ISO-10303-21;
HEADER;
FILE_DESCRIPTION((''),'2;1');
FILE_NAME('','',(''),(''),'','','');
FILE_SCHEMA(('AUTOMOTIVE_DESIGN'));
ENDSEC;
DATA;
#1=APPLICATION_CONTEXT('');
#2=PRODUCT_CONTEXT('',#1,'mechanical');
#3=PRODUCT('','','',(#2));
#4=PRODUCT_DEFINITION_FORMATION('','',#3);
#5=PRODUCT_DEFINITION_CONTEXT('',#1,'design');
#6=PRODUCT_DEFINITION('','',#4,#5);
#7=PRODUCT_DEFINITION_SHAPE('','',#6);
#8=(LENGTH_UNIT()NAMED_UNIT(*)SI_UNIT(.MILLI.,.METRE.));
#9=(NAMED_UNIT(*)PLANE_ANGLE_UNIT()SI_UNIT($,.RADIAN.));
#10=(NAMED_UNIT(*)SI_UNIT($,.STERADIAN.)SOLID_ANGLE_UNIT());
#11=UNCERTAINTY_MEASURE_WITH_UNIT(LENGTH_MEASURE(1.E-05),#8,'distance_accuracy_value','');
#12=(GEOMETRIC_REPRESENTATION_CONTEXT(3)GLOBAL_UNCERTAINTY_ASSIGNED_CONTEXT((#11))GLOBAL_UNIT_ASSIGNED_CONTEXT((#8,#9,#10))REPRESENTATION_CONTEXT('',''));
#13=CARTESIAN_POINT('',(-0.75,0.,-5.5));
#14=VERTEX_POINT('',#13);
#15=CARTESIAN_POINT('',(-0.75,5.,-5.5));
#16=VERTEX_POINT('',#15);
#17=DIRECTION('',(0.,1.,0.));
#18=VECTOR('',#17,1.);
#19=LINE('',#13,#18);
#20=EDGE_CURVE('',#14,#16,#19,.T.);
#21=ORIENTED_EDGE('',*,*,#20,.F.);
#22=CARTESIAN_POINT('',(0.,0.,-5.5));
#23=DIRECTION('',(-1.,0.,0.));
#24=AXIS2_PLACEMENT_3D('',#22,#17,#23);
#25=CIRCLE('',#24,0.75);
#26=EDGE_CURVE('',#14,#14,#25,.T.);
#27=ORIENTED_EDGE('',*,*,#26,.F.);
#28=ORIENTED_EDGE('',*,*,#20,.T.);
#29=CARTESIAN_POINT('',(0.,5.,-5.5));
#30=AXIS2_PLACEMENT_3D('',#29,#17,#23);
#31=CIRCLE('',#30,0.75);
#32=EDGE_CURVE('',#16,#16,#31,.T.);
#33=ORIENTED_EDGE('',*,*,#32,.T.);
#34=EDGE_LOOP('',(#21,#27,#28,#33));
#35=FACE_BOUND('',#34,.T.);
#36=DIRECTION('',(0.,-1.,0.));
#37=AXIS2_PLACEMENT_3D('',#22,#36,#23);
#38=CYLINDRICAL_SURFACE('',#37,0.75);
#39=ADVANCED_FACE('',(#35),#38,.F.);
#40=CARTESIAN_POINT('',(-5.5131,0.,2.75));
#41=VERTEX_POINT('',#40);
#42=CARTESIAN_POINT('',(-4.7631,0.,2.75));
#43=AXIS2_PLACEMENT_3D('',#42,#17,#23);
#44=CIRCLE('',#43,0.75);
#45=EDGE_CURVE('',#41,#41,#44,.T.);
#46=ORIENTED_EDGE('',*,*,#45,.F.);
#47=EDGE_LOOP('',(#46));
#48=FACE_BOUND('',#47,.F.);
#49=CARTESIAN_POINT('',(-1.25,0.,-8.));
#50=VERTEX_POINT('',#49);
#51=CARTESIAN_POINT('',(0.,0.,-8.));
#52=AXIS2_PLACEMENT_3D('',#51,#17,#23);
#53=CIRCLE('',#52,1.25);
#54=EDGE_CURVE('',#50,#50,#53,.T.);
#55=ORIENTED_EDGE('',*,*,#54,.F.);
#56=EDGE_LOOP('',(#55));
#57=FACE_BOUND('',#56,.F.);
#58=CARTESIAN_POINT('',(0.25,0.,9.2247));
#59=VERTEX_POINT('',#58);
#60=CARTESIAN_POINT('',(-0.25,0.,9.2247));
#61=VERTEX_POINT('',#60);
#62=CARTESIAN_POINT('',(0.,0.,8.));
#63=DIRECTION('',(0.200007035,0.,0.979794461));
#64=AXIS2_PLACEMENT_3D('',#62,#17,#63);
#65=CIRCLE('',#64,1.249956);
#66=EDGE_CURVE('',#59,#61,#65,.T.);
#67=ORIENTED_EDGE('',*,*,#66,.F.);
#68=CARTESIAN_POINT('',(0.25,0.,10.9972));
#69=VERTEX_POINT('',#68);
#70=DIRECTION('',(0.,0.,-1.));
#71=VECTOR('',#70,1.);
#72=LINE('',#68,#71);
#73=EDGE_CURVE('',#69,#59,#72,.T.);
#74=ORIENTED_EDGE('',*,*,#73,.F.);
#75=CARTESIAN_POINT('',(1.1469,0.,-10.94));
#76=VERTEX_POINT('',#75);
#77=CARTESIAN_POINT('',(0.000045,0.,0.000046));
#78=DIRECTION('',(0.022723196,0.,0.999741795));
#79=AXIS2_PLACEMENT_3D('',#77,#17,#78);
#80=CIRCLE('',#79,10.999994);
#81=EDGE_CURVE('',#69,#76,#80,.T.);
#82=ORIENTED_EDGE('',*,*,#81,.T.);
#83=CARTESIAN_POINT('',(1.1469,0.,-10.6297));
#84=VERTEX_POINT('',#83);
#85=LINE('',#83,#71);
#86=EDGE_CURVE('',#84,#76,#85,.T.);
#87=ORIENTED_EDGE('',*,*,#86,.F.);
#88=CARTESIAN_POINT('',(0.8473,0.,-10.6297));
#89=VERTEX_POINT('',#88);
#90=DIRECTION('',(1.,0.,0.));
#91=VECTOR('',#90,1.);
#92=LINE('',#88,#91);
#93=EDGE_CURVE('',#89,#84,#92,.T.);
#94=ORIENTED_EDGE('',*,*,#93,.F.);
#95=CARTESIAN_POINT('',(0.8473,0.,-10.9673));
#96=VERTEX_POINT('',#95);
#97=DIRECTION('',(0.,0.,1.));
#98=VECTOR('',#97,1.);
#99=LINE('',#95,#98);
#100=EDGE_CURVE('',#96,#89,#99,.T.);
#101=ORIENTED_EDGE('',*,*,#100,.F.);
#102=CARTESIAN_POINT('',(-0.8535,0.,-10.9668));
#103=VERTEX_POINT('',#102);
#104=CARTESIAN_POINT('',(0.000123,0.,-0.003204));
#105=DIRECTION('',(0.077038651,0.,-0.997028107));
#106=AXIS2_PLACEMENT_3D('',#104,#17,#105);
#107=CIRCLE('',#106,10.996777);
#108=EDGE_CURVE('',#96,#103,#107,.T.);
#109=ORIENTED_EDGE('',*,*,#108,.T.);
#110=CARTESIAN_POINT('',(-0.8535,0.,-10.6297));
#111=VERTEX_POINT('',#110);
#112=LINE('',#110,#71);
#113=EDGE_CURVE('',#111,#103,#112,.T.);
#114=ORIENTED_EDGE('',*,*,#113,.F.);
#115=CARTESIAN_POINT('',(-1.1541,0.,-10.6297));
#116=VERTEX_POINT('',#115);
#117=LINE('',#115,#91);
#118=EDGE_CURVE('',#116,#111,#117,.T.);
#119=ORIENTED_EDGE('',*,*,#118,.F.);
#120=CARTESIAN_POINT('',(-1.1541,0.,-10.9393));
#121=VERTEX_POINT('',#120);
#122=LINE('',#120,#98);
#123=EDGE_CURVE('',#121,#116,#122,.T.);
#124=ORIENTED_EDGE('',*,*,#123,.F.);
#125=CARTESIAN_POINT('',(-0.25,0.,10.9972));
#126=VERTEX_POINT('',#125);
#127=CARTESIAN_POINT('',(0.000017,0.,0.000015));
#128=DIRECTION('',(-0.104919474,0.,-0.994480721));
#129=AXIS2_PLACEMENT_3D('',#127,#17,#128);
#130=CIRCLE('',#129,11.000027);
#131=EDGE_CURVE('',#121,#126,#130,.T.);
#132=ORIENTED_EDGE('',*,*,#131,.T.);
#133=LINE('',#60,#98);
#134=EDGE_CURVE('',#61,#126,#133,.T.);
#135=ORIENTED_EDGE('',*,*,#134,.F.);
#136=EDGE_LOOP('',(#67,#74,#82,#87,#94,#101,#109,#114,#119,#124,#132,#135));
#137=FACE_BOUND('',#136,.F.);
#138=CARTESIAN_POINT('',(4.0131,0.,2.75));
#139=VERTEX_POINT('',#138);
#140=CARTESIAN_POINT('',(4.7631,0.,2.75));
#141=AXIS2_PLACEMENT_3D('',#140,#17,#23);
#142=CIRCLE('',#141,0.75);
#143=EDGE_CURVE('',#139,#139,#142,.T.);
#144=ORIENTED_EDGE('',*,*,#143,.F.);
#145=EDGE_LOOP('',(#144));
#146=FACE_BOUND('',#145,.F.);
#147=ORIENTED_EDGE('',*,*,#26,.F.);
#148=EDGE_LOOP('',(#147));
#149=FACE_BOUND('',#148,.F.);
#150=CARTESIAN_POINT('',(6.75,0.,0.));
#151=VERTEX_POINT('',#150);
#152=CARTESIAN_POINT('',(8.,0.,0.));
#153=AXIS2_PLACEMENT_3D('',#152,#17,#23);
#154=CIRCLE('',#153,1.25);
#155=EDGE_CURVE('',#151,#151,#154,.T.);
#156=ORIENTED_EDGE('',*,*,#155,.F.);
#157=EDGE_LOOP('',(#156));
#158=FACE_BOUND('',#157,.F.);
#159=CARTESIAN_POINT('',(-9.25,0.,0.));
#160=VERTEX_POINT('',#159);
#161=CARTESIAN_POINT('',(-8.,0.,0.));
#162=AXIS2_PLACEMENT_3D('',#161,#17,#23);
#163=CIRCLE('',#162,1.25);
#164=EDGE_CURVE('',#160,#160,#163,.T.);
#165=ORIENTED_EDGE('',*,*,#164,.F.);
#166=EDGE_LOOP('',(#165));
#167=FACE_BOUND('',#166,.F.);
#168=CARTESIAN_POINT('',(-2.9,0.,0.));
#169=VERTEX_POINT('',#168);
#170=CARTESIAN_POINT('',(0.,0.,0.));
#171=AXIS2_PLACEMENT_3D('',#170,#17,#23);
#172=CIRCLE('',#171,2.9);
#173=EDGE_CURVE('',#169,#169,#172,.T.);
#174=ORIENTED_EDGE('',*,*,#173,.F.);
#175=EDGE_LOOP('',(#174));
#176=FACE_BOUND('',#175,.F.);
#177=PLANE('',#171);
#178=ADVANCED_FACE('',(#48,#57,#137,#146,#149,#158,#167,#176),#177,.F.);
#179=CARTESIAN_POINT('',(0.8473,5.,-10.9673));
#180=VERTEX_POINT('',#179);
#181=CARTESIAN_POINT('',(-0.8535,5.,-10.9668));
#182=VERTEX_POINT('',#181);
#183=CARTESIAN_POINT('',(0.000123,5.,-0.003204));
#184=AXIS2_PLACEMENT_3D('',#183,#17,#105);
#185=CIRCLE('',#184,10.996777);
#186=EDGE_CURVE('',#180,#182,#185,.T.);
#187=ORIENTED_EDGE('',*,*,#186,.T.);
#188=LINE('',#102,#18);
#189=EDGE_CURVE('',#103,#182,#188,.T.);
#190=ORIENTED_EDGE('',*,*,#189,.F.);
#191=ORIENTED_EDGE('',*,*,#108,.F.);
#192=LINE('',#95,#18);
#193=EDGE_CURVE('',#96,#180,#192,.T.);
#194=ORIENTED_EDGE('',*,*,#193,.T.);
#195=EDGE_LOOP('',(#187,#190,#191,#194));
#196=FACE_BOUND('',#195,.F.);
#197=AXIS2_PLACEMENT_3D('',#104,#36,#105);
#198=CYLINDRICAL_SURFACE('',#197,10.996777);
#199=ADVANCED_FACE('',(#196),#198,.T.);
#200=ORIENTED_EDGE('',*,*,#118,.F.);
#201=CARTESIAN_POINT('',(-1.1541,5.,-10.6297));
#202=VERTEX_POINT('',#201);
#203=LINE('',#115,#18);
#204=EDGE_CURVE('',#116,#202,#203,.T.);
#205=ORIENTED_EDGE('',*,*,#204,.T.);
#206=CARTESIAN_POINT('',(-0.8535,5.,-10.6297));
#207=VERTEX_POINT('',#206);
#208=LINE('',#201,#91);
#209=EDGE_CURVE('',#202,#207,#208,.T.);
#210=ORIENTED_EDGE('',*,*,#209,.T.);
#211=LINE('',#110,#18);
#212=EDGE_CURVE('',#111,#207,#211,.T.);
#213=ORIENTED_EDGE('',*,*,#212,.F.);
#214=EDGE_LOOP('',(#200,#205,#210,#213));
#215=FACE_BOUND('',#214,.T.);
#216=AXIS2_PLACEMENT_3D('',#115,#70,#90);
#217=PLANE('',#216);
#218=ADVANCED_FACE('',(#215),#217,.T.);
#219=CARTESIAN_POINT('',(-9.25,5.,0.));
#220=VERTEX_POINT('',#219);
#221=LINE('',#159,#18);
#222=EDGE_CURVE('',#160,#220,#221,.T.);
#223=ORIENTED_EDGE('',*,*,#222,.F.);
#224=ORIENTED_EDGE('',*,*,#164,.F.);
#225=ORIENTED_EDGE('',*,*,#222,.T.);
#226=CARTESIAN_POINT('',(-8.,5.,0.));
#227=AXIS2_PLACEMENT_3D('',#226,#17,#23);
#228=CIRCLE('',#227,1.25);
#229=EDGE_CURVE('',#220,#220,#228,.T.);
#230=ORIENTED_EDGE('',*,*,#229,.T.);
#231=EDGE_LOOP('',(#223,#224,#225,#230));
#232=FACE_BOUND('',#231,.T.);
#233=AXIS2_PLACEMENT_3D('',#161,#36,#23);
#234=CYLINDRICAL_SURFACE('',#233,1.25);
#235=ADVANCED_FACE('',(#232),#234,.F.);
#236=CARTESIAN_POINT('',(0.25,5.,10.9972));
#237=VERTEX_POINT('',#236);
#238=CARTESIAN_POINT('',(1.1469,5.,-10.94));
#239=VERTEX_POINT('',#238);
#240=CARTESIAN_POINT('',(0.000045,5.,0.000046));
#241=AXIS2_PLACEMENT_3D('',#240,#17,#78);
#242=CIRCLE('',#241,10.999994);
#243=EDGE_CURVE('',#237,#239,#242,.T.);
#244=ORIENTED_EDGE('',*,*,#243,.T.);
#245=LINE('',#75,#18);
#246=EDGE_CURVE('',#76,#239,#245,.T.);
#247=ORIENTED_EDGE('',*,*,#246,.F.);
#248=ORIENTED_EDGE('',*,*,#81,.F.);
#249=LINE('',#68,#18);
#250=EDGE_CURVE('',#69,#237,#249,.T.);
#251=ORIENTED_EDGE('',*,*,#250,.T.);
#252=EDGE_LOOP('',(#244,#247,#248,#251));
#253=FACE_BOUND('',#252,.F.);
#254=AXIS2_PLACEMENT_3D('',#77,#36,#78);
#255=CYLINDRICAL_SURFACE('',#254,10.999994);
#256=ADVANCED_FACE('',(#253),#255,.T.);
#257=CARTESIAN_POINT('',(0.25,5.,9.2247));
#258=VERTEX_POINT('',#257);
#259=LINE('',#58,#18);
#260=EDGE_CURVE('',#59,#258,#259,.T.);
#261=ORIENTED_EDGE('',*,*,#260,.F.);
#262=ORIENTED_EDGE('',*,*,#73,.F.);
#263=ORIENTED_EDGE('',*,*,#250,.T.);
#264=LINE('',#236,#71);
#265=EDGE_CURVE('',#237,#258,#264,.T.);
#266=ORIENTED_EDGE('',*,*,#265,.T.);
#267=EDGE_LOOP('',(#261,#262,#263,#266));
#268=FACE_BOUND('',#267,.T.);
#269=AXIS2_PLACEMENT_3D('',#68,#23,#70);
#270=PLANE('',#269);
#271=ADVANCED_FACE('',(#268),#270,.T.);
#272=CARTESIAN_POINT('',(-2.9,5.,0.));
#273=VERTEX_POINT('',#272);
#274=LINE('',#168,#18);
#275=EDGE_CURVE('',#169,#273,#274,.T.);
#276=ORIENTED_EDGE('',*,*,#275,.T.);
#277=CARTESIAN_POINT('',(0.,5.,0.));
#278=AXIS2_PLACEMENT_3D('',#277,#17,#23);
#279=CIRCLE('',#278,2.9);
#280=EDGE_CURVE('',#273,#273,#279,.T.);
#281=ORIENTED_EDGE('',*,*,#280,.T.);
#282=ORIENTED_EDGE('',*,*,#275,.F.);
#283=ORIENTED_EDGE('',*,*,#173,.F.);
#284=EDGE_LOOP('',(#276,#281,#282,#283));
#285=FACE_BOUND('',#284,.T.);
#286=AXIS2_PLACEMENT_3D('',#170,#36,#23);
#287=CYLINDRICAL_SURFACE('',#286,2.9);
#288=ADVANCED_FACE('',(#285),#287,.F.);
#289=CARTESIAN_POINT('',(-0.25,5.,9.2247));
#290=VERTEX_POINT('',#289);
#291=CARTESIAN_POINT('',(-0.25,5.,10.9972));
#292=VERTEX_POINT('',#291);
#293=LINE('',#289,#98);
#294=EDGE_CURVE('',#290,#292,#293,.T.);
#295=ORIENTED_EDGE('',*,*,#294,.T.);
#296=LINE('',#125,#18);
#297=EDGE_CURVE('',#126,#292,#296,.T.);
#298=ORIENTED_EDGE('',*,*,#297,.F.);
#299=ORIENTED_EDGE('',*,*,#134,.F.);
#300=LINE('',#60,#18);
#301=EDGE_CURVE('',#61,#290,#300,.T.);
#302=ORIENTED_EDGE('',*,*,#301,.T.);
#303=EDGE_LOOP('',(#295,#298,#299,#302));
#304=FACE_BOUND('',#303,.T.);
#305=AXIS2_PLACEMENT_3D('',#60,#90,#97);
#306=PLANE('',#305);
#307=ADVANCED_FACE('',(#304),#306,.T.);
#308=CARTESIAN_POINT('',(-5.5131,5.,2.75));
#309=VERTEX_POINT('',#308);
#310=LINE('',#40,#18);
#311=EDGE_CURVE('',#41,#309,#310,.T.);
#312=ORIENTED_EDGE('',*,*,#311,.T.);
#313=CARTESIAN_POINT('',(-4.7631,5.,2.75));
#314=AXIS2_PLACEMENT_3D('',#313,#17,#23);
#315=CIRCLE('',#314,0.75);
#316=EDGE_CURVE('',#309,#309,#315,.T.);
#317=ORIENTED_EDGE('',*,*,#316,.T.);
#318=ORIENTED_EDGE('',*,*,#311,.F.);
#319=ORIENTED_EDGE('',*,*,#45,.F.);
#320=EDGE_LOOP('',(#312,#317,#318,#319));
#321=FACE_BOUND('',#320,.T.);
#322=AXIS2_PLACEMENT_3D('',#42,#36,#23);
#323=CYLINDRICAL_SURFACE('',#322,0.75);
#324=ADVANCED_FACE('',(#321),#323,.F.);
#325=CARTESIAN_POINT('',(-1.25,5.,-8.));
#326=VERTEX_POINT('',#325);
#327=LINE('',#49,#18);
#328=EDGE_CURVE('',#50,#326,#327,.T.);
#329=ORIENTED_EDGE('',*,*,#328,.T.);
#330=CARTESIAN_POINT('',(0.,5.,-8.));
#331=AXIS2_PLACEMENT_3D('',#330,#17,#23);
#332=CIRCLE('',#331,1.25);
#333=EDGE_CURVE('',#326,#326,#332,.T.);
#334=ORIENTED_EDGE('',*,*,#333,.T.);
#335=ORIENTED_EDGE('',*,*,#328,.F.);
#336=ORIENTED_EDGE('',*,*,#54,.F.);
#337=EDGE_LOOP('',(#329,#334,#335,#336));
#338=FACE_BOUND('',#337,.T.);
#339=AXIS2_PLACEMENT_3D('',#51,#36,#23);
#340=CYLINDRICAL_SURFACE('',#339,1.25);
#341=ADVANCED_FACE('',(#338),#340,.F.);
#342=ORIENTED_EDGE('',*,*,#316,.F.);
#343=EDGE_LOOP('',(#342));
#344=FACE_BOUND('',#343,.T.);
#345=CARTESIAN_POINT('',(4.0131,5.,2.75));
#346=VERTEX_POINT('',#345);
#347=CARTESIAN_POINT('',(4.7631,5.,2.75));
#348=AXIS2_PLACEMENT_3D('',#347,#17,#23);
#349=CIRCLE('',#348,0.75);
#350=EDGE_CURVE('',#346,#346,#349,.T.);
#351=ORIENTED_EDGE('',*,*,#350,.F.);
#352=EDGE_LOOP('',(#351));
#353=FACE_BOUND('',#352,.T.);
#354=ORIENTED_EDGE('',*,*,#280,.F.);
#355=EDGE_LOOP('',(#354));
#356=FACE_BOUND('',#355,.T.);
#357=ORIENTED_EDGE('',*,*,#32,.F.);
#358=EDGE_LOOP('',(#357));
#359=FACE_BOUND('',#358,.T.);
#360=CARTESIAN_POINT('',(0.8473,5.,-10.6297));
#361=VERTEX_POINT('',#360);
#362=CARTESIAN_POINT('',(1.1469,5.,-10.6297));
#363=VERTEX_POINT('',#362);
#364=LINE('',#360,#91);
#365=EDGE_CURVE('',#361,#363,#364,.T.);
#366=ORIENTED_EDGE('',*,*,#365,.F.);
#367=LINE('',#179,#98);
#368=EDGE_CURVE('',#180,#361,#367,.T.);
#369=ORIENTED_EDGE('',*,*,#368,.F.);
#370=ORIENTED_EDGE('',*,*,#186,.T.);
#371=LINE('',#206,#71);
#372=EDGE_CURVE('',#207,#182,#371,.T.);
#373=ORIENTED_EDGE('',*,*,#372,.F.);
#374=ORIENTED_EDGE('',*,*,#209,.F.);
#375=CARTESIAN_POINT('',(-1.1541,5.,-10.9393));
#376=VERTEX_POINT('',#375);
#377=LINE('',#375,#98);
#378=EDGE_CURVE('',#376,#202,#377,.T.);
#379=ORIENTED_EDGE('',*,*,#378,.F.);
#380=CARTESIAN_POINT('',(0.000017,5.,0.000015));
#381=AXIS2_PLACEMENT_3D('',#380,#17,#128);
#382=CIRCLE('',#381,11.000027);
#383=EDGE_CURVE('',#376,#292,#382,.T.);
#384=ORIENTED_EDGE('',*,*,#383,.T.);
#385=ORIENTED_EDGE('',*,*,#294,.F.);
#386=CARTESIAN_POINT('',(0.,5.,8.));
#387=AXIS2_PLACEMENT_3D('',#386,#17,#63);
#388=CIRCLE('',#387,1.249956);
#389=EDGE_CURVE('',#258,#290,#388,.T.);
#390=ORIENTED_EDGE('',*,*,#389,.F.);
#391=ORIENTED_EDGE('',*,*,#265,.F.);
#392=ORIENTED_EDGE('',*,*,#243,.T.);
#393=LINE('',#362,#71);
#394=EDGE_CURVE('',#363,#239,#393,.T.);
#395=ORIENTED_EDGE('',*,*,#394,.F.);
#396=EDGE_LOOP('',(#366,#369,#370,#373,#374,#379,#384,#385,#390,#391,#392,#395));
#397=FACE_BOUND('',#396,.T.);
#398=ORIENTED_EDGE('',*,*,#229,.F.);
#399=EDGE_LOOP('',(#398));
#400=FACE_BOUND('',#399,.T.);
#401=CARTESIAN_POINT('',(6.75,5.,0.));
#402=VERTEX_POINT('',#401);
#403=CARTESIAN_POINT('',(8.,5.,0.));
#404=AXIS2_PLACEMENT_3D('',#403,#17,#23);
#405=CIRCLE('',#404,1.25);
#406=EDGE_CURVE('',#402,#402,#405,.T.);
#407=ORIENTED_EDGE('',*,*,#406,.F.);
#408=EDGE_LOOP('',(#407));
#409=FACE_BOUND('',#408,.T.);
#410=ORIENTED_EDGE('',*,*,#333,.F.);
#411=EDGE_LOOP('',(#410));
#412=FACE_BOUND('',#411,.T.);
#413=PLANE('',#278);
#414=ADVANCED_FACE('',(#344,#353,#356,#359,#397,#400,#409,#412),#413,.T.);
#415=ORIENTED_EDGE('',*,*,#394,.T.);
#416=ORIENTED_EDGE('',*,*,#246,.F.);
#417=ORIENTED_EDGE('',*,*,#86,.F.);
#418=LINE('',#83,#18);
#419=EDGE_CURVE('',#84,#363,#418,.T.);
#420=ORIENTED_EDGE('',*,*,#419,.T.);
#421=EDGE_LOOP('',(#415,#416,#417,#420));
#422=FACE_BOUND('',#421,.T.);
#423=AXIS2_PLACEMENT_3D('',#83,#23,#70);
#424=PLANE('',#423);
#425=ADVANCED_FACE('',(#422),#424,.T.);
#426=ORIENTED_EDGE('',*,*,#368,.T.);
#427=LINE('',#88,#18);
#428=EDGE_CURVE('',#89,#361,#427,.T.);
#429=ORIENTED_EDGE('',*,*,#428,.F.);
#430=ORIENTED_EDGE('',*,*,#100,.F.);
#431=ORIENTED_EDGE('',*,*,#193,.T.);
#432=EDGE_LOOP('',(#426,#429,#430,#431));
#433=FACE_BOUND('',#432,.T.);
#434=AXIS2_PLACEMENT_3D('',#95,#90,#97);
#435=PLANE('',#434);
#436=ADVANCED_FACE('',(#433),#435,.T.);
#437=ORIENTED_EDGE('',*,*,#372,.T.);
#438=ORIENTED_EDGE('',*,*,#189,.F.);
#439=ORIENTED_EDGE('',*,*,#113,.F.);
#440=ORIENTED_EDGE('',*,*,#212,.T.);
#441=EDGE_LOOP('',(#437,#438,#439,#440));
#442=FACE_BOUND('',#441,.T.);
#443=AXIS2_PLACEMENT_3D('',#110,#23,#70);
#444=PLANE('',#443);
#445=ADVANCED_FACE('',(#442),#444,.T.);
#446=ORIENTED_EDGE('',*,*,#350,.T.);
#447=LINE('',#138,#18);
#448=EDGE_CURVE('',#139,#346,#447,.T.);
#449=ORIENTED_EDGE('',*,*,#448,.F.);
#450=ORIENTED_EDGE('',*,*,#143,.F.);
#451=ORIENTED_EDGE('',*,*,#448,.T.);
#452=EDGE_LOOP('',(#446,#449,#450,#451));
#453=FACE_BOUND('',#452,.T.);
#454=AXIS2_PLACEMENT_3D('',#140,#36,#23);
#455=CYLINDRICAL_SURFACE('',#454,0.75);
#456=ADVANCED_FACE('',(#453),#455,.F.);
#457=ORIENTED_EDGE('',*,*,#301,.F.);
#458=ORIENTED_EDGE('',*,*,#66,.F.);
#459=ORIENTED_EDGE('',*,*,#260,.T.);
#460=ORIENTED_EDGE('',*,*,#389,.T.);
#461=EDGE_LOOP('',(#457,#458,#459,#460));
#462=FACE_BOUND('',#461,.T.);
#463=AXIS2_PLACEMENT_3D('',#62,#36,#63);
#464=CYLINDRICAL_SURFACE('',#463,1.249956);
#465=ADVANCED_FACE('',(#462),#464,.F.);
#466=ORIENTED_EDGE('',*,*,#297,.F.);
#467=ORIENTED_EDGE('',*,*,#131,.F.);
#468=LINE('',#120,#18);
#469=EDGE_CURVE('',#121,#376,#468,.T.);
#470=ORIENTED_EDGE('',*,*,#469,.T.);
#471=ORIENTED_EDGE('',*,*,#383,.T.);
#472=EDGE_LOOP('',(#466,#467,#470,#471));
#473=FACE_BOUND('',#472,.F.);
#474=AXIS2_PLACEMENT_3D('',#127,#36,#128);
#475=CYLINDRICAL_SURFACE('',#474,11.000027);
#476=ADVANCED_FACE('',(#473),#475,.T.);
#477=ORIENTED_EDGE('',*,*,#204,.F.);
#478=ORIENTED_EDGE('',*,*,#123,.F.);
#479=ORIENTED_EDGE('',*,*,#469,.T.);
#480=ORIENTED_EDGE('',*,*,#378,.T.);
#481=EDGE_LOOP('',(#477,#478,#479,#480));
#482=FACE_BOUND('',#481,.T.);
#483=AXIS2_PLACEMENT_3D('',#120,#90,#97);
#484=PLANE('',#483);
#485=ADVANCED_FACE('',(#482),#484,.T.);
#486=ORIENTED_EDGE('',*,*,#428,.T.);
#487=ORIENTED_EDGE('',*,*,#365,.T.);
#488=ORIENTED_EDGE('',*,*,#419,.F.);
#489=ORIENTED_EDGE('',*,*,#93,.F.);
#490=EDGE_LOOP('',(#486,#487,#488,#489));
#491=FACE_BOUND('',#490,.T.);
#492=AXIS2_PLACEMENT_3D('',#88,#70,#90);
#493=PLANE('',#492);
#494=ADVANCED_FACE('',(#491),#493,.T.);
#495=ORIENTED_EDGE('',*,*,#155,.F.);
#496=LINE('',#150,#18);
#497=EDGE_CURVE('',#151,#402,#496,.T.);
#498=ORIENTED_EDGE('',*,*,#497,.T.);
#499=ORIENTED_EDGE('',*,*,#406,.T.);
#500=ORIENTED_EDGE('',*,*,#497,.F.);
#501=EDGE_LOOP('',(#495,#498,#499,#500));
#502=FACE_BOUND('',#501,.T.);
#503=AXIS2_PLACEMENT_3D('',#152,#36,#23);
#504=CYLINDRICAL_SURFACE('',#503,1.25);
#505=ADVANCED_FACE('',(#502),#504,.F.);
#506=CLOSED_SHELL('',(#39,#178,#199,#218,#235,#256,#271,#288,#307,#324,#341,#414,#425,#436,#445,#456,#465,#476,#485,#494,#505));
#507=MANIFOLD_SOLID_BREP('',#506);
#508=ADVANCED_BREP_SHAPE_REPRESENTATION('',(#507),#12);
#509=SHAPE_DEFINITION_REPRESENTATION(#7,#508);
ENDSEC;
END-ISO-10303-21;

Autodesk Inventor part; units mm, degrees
ref_plane "YZ Plane" through (0, 0, 0) normal (1, 0, 0) x (0, 1, 0)
ref_plane "XZ Plane" through (0, 0, 0) normal (0, 1, 0) x (-1, 0, 0)
ref_plane "XY Plane" through (0, 0, 0) normal (0, 0, 1) x (1, 0, 0)
sketch "Эскиз1" plane through (0, 0, 0) normal (0, 1, 0) x (-1, 0, 0)
  arc A0 (-0.25, 9.2247) -> (0.25, 9.2247) centre (0, 8) ccw
  line L0 (-0.25, 10.9972) -> (-0.25, 9.2247)
  arc A1 (-0.25, 10.9972) -> (-1.1469, -10.94) centre (0, 0) ccw
  line L1 (-1.1469, -10.6297) -> (-1.1469, -10.94)
  line L2 (-0.8473, -10.6297) -> (-1.1469, -10.6297)
  line L3 (-0.8473, -10.9673) -> (-0.8473, -10.6297)
  arc A2 (-0.8473, -10.9673) -> (0.8535, -10.9668) centre (0, 0) ccw
  line L4 (0.8535, -10.6297) -> (0.8535, -10.9668)
  line L5 (1.1541, -10.6297) -> (0.8535, -10.6297)
  line L6 (1.1541, -10.9393) -> (1.1541, -10.6297)
  arc A3 (1.1541, -10.9393) -> (0.25, 10.9972) centre (0, 0) ccw
  line L7 (0.25, 9.2247) -> (0.25, 10.9972)
  circle A4 centre (8, 0) radius 1.25
  circle A5 centre (0, -8) radius 1.25
  circle A6 centre (-8, 0) radius 1.25
  circle A7 centre (0, -5.5) radius 0.75
  circle A8 centre (4.7631, 2.75) radius 0.75
  circle A9 centre (-4.7631, 2.75) radius 0.75
  circle A10 centre (0, 0) radius 2.9
  arc A11 (0.25, 9.2247) -> (-0.25, 9.2247) centre (0, 8) ccw
extrude "Выдавливание1" add sketch "Эскиз1" along normal blind 5 contours A0 L7 A3 L6 L5 L4 A2 L3 L2 L1 A1 L0
properties part number "проставка"
